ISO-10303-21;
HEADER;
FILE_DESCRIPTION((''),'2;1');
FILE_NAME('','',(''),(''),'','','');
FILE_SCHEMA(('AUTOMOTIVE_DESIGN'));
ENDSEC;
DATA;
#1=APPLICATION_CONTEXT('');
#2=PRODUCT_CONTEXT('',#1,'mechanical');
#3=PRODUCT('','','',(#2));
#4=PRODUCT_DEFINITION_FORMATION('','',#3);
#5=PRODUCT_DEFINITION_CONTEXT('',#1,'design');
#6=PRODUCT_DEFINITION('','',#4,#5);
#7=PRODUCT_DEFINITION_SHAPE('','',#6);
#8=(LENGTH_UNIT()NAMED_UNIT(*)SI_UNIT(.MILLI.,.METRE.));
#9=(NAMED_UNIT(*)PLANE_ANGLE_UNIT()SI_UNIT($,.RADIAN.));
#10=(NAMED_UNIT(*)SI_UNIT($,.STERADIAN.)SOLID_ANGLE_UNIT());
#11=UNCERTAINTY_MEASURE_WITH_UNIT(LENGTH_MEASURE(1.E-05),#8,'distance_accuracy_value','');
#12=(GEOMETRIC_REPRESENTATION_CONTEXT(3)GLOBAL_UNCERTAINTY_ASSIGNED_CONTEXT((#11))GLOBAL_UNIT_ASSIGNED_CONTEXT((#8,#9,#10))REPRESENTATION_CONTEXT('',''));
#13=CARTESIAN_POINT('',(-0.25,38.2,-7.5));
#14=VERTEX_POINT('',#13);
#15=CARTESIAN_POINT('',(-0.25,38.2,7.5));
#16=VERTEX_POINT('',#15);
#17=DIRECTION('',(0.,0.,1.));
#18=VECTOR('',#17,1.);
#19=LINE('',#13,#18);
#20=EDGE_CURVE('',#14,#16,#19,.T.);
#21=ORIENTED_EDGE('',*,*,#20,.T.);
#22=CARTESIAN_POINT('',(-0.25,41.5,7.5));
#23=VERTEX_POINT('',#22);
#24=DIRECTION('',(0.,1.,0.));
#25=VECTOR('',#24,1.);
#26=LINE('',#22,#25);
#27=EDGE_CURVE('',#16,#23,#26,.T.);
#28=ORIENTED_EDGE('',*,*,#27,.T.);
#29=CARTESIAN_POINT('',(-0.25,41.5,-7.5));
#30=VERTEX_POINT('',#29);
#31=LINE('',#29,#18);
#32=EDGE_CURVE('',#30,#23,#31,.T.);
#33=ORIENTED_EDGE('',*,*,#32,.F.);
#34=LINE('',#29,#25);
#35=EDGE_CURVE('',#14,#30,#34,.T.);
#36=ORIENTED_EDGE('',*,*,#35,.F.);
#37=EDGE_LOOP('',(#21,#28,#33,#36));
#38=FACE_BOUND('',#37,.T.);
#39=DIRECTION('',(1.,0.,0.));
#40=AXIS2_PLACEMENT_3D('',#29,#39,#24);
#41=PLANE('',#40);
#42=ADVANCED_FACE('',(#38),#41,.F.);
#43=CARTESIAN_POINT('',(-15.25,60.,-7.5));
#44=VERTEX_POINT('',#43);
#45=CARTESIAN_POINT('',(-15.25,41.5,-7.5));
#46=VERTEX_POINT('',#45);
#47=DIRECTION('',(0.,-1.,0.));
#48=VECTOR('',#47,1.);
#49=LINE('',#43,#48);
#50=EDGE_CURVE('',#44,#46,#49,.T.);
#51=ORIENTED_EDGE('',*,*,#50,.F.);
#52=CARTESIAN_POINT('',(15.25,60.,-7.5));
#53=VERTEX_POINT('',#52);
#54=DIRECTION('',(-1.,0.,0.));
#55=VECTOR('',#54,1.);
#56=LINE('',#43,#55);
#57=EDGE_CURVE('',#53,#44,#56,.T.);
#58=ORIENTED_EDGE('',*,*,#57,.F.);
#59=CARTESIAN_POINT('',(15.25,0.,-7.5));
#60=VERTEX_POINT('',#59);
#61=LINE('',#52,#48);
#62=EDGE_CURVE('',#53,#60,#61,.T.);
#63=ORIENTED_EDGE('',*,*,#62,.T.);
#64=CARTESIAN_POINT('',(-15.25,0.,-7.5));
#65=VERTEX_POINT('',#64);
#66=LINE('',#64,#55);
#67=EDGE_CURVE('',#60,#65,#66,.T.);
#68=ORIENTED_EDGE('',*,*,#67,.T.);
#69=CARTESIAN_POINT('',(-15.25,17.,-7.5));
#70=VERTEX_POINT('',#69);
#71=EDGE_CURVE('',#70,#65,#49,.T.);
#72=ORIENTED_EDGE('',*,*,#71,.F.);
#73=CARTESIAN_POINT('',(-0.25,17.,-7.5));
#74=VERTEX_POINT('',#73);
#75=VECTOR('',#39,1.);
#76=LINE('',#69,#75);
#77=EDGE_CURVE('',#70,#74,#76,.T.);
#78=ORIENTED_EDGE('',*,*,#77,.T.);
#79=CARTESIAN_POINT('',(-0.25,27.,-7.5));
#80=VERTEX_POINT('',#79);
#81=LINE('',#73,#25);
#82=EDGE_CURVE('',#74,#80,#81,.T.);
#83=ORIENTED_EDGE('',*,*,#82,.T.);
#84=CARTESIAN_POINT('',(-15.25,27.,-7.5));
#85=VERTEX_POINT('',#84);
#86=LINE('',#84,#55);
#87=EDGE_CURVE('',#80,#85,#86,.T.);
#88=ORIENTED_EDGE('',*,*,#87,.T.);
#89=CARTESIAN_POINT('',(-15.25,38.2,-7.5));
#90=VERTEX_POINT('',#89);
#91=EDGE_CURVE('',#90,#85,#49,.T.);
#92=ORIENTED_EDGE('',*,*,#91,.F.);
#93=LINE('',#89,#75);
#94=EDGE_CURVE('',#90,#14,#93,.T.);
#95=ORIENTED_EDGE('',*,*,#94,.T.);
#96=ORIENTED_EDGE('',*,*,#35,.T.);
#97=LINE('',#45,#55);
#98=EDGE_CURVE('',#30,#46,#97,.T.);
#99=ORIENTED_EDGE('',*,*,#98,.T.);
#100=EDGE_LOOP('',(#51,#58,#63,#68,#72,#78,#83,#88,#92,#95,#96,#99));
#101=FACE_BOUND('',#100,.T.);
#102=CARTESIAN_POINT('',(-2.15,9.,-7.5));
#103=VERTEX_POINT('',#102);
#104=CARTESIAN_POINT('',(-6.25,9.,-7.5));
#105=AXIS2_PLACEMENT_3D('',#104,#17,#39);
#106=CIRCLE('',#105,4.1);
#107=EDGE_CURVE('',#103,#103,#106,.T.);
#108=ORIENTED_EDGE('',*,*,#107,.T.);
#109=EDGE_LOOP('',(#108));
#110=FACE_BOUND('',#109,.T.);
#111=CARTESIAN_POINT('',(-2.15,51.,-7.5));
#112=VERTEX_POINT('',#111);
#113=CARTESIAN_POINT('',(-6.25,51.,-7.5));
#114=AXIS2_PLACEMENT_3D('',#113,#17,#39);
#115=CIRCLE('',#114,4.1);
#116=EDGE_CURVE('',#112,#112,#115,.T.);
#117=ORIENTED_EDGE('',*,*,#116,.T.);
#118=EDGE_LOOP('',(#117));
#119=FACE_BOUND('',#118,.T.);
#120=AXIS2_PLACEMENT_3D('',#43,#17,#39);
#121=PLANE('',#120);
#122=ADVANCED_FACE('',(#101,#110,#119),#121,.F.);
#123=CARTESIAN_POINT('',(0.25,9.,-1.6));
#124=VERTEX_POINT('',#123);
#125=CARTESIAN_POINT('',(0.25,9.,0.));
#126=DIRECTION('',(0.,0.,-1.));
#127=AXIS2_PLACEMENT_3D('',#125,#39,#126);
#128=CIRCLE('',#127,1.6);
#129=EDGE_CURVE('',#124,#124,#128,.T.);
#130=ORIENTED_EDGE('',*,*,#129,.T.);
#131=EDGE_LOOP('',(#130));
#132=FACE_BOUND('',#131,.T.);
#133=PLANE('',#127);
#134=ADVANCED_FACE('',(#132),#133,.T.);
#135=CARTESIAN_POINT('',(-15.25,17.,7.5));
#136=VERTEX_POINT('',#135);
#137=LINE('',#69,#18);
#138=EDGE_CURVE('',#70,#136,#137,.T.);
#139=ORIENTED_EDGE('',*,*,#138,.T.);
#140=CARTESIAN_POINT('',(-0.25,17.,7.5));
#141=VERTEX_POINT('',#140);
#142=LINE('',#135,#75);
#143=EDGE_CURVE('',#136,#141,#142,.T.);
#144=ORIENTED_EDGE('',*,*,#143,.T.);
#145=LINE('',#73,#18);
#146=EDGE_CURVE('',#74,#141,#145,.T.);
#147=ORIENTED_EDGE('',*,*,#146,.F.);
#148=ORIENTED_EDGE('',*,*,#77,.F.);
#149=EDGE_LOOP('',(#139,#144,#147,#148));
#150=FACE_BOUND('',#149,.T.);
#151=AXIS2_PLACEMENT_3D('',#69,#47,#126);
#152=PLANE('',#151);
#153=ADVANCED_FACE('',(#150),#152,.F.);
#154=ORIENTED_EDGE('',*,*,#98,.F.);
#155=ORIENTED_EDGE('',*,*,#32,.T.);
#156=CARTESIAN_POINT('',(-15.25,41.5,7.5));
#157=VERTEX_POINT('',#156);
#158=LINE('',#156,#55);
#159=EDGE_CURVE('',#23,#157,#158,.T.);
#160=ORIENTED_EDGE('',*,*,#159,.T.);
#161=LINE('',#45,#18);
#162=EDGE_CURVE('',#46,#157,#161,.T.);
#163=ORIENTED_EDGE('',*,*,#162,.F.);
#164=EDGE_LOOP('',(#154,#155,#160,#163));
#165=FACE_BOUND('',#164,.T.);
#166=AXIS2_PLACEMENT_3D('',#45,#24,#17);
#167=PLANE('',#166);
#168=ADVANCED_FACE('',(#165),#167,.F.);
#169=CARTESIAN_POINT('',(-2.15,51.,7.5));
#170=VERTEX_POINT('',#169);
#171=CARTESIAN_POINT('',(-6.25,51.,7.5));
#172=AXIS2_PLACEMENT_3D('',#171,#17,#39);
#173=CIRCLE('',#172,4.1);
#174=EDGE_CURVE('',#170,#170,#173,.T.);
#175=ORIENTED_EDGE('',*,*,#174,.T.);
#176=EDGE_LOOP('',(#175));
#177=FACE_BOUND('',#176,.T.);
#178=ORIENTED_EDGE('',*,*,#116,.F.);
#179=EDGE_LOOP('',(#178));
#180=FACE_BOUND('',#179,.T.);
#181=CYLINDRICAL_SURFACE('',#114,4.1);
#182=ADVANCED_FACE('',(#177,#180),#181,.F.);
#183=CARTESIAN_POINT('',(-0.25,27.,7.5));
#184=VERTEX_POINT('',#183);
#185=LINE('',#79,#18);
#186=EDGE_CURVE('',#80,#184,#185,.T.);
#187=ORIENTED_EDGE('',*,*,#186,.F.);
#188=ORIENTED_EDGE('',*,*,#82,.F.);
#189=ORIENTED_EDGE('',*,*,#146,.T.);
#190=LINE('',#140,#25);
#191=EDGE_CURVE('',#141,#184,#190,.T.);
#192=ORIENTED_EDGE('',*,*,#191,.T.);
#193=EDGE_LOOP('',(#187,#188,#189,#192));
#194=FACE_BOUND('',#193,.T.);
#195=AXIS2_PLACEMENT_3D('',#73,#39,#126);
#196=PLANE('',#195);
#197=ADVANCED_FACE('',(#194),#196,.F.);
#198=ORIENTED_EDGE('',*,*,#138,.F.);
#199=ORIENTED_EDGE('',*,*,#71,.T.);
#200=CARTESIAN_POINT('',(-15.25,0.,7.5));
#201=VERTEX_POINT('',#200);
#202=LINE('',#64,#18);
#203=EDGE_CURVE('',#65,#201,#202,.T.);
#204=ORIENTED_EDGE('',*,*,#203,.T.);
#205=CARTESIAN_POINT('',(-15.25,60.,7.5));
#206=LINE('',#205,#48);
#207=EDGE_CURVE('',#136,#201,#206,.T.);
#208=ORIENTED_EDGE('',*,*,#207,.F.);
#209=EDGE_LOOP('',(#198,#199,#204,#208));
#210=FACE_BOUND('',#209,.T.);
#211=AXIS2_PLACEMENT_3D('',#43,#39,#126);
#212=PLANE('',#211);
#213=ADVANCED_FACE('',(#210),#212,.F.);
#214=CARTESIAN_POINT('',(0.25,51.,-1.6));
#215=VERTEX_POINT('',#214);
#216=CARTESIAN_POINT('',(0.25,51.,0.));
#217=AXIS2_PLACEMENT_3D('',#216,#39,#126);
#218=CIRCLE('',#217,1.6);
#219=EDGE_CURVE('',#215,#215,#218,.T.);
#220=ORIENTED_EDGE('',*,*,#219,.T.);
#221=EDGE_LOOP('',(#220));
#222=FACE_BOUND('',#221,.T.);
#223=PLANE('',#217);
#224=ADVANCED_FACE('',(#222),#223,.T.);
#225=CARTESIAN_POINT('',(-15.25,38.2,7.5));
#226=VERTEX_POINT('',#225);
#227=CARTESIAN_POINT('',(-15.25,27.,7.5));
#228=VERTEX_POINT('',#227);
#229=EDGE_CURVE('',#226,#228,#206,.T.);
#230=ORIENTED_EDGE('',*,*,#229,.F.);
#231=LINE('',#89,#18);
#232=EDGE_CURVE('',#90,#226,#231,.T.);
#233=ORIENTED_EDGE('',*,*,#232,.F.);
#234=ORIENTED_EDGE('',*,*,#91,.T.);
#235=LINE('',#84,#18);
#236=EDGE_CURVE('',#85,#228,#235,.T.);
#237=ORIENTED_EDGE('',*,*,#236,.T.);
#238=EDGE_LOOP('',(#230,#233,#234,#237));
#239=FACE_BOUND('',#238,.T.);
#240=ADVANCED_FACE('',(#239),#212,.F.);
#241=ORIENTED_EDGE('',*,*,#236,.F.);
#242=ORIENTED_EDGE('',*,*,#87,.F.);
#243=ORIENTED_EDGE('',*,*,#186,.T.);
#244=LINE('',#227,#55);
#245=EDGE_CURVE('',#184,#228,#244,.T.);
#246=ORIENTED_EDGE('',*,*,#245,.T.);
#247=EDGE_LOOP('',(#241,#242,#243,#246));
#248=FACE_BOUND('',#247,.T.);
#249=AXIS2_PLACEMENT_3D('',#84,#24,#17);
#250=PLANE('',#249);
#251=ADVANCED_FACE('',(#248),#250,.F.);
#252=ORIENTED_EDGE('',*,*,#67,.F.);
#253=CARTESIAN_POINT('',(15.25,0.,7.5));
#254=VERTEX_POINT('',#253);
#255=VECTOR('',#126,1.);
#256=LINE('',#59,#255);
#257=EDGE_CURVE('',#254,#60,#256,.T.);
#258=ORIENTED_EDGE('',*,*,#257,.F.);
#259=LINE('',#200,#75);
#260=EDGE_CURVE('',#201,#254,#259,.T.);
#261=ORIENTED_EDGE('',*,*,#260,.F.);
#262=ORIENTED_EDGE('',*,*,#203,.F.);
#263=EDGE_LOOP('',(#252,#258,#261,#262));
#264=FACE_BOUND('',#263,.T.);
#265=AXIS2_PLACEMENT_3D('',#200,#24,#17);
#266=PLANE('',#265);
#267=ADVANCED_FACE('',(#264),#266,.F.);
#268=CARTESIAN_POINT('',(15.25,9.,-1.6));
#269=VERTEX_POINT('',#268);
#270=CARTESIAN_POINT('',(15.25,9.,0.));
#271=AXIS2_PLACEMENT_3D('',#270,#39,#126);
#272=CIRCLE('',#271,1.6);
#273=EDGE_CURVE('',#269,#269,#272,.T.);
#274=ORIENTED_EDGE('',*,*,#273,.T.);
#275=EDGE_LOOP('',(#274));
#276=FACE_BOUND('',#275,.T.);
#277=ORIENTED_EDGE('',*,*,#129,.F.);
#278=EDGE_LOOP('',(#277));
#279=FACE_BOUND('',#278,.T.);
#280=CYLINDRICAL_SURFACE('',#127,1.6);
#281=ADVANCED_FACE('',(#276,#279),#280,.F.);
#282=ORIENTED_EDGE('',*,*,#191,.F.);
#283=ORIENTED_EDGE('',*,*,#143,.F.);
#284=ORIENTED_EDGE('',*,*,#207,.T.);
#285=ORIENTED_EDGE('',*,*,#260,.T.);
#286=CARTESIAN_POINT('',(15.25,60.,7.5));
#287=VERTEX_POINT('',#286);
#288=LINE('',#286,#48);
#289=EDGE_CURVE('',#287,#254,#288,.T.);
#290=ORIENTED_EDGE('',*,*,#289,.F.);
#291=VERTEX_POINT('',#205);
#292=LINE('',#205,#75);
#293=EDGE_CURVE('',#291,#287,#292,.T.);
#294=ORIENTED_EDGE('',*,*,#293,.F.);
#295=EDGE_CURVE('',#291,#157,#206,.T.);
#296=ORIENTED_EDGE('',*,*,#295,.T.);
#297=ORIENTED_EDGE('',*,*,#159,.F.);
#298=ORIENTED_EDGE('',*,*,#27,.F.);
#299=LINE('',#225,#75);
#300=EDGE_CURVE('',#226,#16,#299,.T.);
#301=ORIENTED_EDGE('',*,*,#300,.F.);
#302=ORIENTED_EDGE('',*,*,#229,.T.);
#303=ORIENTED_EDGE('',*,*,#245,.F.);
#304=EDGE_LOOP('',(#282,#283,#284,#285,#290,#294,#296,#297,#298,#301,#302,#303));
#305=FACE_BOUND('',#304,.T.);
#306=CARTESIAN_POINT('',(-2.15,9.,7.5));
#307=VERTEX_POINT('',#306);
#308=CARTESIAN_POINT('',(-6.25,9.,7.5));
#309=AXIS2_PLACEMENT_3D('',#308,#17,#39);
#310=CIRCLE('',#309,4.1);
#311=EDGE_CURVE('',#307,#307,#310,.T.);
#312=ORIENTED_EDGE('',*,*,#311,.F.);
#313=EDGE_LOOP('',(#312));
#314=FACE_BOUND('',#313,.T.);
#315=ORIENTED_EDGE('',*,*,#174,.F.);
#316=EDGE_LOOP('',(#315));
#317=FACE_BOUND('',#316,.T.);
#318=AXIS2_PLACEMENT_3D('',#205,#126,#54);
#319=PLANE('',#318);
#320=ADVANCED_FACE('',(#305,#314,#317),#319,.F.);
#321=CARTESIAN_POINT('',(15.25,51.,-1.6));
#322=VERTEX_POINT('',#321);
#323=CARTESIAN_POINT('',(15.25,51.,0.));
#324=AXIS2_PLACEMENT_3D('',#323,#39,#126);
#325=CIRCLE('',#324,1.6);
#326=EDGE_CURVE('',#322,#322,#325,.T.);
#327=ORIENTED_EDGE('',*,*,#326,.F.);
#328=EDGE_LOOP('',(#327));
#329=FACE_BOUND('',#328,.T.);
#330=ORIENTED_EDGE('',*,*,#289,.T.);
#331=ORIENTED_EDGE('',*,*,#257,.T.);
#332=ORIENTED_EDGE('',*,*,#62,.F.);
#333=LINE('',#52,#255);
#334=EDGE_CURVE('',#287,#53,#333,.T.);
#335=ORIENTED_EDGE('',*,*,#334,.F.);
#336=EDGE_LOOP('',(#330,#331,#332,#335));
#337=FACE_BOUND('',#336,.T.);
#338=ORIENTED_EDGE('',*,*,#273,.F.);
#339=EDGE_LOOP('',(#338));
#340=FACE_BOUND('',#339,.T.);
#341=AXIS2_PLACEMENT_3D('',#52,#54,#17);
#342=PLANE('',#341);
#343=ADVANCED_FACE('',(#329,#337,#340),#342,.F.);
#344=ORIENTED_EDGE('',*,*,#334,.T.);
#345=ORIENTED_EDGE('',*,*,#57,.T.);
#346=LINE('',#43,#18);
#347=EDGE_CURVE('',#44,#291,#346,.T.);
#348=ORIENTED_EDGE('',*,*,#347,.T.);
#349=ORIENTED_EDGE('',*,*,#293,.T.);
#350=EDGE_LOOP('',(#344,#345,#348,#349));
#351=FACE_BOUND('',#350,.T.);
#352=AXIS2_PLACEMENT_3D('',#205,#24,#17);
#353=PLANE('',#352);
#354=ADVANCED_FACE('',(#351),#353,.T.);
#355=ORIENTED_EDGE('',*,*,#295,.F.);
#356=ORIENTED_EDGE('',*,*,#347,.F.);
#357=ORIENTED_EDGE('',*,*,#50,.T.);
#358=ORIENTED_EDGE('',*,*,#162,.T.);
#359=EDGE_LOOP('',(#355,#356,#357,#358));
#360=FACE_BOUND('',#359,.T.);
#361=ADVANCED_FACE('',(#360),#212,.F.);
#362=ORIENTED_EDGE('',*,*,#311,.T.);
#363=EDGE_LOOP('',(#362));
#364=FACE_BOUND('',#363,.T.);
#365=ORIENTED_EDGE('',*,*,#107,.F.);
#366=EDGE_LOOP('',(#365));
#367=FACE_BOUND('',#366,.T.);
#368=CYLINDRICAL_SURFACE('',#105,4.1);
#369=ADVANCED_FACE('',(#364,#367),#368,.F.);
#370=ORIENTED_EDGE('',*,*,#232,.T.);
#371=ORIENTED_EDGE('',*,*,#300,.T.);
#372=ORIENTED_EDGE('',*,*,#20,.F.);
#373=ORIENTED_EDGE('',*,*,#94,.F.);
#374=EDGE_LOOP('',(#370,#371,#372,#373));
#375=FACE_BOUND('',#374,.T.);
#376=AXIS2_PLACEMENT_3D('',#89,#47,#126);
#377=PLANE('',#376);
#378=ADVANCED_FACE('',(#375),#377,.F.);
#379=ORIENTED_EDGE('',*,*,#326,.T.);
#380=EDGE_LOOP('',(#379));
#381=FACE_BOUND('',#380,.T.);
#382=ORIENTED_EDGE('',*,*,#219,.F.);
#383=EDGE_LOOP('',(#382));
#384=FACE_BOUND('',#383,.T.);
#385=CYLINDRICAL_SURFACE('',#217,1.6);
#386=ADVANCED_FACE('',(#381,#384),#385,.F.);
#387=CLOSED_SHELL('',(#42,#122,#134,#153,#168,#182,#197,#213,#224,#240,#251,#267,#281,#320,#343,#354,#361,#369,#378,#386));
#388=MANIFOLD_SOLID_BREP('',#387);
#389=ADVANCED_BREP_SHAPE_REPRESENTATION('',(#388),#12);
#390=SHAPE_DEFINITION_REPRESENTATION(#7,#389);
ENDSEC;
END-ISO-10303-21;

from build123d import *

# Parameters (mm, degrees)
SKETCH1_W           = 30.5
SKETCH1_H           = 15
BOSS_EXTRUDE1_DEPTH = 60
SKETCH2_R           = 4.1
CUT_EXTRUDE1_DEPTH  = 16
SKETCH4_W           = 15
SKETCH4_H           = 3.3
CUT_EXTRUDE2_DEPTH  = 16
SKETCH5_W           = 15
SKETCH5_H           = 10
CUT_EXTRUDE3_DEPTH  = 16
SKETCH6_R           = 1.6
CUT_EXTRUDE4_DEPTH  = 15


with BuildPart() as part:
    # Sketch1 → Boss-Extrude1 (new body)
    with BuildSketch(Plane(origin=(0, 0, 0), x_dir=(1, 0, 0), z_dir=(0, 1, 0))):
        Rectangle(SKETCH1_W, SKETCH1_H)
    extrude(amount=BOSS_EXTRUDE1_DEPTH)

    # Sketch2 → Cut-Extrude1 (cut, through all)
    with BuildSketch(Plane.XY.offset(7.5)):
        with Locations((-6.25, 51)):
            Circle(SKETCH2_R)
        with Locations((-6.25, 9)):
            Circle(SKETCH2_R)
    extrude(amount=-CUT_EXTRUDE1_DEPTH, mode=Mode.SUBTRACT)

    # Sketch4 → Cut-Extrude2 (cut, through all)
    with BuildSketch(Plane.XY.offset(7.5)):
        with Locations((-7.75, 39.85)):
            Rectangle(SKETCH4_W, SKETCH4_H)
    extrude(amount=-CUT_EXTRUDE2_DEPTH, mode=Mode.SUBTRACT)

    # Sketch5 → Cut-Extrude3 (cut, through all)
    with BuildSketch(Plane.XY.offset(7.5)):
        with Locations((-7.75, 22)):
            Rectangle(SKETCH5_W, SKETCH5_H)
    extrude(amount=-CUT_EXTRUDE3_DEPTH, mode=Mode.SUBTRACT)

    # Sketch6 → Cut-Extrude4 (cut)
    with BuildSketch(Plane(origin=(15.25, 0, 0), x_dir=(0, 0, -1), z_dir=(1, 0, 0))):
        with Locations((0, 51)):
            Circle(SKETCH6_R)
        with Locations((0, 9)):
            Circle(SKETCH6_R)
    extrude(amount=-CUT_EXTRUDE4_DEPTH, mode=Mode.SUBTRACT)


solid = part.part
